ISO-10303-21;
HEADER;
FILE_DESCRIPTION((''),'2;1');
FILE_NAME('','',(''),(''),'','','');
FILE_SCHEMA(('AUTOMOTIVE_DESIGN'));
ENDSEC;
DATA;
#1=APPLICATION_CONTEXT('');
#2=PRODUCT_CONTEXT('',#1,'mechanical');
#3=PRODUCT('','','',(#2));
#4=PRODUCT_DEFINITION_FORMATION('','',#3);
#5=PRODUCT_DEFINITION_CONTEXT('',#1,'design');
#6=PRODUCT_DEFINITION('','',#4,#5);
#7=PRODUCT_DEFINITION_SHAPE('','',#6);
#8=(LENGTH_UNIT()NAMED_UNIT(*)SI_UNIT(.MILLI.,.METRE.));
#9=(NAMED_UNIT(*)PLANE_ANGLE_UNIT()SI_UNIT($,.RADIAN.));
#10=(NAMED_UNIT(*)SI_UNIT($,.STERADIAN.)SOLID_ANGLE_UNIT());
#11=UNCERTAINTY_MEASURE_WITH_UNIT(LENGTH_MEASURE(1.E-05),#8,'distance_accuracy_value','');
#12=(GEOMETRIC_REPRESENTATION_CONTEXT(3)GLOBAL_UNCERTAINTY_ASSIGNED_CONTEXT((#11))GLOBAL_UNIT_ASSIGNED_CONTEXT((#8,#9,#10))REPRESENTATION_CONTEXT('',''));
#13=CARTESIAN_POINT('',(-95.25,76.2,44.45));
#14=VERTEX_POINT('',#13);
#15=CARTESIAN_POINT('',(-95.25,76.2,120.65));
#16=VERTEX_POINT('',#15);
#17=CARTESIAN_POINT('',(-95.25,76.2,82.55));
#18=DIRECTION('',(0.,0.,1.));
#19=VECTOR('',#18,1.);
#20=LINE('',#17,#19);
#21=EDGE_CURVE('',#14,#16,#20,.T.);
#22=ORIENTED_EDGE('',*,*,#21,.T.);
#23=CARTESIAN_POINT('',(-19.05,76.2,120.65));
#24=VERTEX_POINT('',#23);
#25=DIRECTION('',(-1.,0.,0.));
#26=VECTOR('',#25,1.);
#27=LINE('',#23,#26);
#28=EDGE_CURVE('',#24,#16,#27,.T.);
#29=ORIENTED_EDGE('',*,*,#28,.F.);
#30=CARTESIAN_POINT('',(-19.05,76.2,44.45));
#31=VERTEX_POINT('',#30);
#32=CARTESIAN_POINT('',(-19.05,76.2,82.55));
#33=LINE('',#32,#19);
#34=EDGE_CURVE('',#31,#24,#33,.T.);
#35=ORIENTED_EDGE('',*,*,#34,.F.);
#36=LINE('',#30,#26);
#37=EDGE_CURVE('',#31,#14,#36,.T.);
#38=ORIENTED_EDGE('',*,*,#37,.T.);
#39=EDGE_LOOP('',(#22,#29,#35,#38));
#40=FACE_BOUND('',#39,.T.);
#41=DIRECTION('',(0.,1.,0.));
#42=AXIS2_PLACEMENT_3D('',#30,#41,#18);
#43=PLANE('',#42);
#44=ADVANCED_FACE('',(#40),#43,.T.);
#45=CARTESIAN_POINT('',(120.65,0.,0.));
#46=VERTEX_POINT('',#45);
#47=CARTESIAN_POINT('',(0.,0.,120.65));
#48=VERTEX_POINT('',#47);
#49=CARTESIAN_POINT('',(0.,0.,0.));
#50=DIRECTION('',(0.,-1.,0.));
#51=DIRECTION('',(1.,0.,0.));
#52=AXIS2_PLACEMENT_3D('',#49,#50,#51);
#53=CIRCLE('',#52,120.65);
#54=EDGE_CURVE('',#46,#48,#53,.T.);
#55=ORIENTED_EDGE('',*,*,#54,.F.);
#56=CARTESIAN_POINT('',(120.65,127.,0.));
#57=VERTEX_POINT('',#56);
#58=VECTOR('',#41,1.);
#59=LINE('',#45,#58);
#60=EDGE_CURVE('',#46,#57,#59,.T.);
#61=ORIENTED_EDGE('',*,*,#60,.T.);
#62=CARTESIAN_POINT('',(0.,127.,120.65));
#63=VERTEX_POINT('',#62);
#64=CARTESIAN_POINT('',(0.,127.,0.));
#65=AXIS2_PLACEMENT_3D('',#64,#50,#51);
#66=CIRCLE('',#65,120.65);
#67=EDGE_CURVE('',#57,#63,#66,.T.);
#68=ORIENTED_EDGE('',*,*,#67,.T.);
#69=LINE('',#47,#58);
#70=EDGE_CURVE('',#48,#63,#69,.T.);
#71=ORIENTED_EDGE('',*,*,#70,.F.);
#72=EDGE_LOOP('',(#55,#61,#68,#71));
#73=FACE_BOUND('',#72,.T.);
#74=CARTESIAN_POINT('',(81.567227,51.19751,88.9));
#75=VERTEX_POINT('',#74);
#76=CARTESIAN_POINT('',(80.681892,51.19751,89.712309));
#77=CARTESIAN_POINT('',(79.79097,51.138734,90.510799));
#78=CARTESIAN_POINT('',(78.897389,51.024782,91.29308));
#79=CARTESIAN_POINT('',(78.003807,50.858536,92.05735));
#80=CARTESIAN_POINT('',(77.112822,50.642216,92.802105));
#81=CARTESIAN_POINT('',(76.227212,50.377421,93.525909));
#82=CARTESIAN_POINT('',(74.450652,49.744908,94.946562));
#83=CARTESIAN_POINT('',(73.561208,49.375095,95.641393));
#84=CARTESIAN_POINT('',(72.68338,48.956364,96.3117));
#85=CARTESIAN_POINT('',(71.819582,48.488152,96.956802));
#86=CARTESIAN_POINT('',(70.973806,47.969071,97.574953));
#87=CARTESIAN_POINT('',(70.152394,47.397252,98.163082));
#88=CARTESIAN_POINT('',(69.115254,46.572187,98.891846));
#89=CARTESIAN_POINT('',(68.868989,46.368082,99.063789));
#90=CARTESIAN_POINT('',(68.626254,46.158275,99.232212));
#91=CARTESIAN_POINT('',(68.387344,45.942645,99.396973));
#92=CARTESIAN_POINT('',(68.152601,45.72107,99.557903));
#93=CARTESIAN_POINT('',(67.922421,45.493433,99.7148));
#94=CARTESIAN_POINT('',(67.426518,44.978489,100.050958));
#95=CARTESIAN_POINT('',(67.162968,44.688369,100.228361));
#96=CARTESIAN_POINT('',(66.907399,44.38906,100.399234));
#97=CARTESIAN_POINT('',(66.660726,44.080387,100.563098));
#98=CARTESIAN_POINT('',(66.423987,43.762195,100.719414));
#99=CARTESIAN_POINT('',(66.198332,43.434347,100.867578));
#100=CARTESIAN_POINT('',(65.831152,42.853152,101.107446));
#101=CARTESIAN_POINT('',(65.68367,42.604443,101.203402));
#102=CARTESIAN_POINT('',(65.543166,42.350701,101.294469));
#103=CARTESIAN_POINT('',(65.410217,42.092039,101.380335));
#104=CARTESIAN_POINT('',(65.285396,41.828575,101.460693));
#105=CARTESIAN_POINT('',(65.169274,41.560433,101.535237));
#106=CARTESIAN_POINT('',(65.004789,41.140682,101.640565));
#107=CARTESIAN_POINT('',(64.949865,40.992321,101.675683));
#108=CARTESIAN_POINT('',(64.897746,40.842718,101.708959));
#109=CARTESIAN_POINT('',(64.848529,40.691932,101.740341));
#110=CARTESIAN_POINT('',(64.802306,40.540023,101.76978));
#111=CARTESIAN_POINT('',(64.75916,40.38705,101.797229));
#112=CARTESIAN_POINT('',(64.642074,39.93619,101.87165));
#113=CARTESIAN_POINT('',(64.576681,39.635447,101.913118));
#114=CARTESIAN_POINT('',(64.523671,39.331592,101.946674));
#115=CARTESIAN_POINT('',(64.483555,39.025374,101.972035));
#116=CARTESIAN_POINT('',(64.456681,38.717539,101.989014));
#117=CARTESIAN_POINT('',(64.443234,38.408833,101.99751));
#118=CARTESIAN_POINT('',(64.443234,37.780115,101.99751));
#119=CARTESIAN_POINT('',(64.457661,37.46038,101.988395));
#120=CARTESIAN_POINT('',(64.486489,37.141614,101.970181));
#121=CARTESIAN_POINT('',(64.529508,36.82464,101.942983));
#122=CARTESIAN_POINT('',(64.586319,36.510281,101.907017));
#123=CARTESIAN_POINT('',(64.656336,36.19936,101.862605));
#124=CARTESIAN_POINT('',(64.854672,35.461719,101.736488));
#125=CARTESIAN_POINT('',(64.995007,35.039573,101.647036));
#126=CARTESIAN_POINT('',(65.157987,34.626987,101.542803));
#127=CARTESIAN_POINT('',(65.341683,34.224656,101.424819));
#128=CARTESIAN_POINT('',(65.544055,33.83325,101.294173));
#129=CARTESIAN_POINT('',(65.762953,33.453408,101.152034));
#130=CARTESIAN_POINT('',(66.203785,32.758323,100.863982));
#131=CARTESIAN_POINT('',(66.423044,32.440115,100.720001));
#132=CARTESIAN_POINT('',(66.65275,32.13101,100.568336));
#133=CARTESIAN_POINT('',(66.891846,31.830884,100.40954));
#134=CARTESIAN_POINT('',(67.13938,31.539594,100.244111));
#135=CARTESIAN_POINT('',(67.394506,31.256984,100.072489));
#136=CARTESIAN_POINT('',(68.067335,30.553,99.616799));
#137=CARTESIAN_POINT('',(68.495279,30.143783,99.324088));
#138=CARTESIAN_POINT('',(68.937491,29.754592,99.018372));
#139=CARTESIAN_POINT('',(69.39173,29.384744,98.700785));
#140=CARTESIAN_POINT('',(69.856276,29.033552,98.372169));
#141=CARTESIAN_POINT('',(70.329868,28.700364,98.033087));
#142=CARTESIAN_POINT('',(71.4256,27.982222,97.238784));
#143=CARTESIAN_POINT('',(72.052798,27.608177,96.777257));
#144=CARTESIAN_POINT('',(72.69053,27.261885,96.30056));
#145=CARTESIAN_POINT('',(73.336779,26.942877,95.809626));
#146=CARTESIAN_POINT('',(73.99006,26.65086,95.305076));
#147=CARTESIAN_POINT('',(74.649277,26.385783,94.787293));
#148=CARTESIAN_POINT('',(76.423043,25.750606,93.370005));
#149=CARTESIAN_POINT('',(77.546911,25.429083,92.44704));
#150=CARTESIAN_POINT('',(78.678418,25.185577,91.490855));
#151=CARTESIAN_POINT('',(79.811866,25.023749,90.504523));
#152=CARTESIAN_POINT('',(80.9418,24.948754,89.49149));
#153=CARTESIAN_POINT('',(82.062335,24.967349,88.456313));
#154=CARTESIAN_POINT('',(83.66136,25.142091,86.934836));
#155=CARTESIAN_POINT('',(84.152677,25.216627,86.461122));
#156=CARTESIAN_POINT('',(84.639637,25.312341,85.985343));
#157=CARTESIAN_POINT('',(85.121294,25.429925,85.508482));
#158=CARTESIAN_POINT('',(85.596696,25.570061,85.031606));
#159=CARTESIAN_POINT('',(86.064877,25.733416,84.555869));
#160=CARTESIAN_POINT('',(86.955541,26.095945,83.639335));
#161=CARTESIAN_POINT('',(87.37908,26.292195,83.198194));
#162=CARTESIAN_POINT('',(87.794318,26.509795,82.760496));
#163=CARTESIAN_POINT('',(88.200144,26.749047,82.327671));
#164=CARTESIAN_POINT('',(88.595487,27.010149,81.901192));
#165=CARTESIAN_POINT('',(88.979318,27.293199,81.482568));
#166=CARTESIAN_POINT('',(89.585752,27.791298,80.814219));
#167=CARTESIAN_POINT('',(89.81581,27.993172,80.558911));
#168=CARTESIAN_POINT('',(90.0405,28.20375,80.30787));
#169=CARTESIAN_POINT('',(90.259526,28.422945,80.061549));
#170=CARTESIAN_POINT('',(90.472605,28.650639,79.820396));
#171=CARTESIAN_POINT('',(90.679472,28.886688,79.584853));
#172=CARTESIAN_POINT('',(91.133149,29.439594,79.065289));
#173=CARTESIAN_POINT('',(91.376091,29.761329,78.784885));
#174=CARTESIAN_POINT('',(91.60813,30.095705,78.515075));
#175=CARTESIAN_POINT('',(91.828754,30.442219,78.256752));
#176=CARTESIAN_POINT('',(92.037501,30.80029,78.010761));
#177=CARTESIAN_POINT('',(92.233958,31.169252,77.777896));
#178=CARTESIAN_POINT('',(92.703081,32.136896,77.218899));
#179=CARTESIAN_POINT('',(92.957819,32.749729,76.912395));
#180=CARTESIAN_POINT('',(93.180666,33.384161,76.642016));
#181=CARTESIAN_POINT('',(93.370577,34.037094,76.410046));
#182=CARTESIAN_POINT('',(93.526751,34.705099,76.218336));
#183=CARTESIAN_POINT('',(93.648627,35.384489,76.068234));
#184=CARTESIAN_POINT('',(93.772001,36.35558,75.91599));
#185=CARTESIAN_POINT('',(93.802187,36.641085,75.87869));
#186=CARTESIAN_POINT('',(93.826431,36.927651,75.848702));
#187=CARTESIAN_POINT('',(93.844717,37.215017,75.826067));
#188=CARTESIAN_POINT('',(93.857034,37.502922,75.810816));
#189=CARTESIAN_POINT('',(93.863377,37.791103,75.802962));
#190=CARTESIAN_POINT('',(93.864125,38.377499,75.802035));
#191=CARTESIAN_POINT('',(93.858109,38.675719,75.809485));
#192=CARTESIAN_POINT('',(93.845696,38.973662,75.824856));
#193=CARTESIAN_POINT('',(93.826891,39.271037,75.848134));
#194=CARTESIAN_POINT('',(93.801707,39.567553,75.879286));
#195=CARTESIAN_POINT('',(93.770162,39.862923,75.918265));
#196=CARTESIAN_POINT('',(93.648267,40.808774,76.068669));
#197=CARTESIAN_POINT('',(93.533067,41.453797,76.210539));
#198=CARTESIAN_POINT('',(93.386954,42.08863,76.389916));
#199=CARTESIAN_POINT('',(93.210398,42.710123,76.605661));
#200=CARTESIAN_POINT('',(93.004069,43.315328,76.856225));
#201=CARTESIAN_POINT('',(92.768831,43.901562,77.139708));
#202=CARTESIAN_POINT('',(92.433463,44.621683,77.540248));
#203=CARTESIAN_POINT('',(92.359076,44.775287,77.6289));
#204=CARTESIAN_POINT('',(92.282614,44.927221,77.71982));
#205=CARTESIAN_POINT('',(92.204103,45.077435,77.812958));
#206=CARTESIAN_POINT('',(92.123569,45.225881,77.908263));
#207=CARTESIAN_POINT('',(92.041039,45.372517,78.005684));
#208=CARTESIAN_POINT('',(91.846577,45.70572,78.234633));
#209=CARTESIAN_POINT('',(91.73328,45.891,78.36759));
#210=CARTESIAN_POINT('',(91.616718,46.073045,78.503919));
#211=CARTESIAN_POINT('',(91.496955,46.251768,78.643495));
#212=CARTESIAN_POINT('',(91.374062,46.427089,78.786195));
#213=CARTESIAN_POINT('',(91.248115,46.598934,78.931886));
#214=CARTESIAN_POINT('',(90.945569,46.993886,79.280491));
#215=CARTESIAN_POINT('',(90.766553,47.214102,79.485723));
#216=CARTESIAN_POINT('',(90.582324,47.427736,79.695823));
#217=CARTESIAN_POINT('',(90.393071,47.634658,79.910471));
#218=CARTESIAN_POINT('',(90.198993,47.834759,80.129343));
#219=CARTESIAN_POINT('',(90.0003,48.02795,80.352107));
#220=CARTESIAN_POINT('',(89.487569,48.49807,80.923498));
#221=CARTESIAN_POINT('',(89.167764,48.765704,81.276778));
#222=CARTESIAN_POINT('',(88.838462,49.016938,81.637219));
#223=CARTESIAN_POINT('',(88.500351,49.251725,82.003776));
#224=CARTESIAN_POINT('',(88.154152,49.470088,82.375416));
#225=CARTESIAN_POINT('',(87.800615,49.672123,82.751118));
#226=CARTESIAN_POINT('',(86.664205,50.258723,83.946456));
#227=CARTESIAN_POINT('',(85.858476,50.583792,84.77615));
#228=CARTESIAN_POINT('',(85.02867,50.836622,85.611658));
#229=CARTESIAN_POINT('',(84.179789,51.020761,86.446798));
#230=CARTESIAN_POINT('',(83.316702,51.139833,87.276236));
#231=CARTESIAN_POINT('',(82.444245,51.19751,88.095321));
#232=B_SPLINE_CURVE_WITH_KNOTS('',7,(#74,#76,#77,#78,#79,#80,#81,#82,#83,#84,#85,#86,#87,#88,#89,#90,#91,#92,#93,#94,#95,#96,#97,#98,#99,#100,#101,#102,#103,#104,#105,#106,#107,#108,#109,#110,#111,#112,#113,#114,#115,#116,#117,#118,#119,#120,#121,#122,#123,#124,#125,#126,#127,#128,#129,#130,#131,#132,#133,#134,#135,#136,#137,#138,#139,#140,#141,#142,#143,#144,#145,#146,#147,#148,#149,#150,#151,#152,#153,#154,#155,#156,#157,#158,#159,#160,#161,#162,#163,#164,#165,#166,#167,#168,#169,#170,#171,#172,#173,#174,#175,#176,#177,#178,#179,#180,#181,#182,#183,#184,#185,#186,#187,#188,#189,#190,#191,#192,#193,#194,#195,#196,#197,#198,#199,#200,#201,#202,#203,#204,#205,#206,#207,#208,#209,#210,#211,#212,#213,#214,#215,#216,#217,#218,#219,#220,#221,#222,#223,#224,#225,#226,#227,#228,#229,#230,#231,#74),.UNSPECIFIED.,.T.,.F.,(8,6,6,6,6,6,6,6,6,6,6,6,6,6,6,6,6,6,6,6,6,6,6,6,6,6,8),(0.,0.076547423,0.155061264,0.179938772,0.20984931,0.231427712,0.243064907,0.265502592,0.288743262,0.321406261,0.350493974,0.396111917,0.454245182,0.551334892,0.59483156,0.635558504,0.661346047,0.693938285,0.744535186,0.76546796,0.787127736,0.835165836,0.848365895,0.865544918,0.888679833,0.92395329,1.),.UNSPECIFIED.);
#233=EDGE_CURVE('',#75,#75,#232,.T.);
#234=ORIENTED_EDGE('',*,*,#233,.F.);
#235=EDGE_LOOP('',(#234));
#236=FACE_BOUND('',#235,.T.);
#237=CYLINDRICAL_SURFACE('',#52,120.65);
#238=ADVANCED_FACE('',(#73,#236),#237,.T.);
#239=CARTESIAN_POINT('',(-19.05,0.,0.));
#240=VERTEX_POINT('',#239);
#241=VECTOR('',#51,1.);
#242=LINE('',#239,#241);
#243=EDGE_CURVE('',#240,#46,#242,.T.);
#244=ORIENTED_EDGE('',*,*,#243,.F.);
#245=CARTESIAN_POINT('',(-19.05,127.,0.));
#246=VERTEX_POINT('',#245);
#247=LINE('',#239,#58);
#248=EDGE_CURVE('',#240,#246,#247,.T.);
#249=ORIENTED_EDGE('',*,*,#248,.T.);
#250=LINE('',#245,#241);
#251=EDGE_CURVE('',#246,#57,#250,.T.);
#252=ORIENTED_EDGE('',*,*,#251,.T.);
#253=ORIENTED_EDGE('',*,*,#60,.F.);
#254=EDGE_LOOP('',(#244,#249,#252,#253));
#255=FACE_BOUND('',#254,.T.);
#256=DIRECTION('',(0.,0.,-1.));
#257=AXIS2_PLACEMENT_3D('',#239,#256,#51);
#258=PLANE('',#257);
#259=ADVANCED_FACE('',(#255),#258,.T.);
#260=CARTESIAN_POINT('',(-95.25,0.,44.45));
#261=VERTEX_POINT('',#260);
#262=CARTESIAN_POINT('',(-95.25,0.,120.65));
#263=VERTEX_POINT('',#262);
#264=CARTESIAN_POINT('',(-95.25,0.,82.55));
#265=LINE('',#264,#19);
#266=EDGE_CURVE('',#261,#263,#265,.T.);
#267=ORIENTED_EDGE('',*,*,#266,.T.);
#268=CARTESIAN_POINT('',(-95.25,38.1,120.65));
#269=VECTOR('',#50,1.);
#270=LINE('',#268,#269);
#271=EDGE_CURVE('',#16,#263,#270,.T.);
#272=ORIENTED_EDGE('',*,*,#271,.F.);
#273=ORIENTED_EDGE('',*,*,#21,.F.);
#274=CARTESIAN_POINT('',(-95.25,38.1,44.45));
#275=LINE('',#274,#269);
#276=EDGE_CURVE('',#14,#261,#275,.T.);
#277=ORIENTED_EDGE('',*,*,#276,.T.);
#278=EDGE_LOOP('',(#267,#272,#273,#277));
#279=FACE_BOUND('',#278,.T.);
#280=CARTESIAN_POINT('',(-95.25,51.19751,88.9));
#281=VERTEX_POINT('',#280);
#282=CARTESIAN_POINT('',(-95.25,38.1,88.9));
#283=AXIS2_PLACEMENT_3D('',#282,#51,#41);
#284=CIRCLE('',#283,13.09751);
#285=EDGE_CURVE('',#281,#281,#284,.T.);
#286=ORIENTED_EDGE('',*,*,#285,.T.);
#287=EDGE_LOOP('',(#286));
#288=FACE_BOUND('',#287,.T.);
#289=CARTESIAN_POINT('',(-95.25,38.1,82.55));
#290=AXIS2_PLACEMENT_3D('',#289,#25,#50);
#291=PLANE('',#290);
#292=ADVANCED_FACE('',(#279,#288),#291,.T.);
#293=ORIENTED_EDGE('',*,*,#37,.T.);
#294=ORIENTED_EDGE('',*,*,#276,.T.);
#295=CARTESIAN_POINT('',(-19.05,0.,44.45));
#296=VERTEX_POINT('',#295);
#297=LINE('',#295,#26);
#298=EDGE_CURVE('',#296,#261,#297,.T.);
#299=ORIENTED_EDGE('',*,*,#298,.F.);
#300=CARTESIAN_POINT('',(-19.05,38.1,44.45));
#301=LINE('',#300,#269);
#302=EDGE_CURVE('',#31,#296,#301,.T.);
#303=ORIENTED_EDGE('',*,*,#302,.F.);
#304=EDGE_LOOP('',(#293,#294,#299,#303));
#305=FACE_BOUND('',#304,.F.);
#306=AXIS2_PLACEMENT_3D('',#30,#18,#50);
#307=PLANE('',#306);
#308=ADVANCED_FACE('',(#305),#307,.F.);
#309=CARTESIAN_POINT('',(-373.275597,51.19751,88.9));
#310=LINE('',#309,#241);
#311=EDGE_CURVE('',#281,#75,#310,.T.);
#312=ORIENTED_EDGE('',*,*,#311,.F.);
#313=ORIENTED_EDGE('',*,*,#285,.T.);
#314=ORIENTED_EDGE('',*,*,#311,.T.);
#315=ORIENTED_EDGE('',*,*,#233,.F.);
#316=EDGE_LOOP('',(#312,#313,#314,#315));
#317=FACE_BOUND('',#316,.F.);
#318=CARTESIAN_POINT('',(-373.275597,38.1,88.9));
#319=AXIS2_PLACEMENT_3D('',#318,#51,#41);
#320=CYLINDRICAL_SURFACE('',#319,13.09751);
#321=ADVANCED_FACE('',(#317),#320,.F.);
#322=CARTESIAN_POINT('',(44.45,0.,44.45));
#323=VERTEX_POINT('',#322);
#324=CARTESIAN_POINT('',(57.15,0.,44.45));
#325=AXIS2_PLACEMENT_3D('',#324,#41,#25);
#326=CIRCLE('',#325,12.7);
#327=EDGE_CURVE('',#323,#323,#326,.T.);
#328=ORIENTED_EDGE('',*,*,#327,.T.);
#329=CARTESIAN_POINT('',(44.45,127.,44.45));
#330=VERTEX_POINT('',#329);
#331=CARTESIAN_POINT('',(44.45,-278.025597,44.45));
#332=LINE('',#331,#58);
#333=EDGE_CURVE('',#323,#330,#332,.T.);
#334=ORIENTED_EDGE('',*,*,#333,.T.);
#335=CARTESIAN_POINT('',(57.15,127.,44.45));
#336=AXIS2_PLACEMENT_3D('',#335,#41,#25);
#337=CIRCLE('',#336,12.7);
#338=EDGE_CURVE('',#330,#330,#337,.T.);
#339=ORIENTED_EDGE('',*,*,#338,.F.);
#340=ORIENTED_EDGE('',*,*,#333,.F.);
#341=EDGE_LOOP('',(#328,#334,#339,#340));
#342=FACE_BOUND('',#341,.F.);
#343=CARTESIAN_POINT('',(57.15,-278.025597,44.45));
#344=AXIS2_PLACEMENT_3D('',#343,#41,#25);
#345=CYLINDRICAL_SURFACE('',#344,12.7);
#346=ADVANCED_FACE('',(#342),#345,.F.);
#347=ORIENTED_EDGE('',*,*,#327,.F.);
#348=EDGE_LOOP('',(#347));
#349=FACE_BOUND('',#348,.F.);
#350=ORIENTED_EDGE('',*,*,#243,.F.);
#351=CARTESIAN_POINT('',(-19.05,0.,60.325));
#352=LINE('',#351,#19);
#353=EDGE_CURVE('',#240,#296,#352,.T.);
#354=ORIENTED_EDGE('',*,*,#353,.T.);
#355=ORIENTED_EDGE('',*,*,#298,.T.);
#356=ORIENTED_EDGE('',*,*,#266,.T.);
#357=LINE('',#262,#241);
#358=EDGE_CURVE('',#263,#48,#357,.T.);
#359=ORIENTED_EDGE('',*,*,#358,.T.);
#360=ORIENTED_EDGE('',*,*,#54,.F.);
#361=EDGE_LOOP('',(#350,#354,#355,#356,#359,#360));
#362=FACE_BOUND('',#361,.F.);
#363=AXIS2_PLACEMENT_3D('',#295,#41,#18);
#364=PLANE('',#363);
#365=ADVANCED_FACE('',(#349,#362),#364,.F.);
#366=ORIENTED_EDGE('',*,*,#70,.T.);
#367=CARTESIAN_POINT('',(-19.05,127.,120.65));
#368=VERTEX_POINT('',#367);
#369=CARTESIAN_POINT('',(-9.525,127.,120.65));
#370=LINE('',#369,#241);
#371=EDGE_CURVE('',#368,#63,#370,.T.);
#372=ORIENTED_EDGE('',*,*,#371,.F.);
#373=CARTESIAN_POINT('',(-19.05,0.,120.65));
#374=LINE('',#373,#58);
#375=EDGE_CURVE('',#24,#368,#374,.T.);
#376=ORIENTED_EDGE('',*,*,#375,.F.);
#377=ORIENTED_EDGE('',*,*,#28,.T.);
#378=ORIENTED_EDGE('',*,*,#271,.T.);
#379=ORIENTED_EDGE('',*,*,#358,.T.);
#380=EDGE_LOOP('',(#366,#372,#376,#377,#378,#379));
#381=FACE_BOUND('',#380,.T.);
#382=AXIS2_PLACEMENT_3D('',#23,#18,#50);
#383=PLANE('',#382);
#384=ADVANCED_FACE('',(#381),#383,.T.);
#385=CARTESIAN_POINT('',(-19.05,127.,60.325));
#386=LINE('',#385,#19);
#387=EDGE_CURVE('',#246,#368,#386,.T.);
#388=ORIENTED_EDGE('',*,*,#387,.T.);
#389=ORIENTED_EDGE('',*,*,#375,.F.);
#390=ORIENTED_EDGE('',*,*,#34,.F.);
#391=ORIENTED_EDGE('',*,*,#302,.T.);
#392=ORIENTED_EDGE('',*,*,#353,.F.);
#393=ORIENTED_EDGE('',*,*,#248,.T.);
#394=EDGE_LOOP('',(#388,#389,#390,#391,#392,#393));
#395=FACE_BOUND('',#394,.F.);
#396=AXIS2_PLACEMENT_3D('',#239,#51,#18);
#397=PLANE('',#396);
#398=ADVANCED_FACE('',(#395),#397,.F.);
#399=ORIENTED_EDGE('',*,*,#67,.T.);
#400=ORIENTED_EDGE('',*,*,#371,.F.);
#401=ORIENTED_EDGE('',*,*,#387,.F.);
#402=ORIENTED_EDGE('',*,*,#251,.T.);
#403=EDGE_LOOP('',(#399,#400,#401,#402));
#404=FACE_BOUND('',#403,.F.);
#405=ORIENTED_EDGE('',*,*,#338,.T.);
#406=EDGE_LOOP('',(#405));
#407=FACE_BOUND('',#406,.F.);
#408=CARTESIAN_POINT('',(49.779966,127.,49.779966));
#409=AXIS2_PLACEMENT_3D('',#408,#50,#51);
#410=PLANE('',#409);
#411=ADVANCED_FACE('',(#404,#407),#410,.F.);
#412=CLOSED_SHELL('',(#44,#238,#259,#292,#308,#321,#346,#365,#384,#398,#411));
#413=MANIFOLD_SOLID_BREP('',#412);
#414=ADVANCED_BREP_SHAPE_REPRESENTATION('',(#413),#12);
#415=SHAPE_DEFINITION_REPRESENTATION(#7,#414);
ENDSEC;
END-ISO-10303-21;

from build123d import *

# Parameters (mm, degrees)
F0_W     = 19.05
F0_H     = 120.65
F1_DEPTH = 127
F2_W     = 76.2
F2_H     = 76.2
F3_DEPTH = 76.2
F5_D     = 26.19502
F7_D     = 25.4


with BuildPart() as f1:
    # F0 (on Front) → F1 (new body)
    with BuildSketch(Plane.XZ):
        with BuildLine():
            ThreePointArc((120.65, 0), (85.3124331502, 85.3124331502), (0, 120.65))
            Line((0, 120.65), (0, 0))
            Line((0, 0), (120.65, 0))
        make_face()
        with Locations((-9.525, 60.325)):
            Rectangle(F0_W, F0_H)
    extrude(amount=-F1_DEPTH)

    # F2 (on face) → F3 (join)
    with BuildSketch(Plane(origin=(-19.05, 0, 0), x_dir=(0, -1, 0), z_dir=(-1, 0, 0))):
        with Locations((-38.1, 82.55)):
            Rectangle(F2_W, F2_H)
    extrude(amount=F3_DEPTH)

    # F5 (through all)
    with Locations(Plane(origin=(-95.25, 0, 0), x_dir=(0, -1, 0), z_dir=(-1, 0, 0))):
        with Locations((-38.1, 88.9)):
            Hole(F5_D / 2)

    # F7 (through all)
    with Locations(Plane.XZ):
        with Locations((57.15, 44.45)):
            Hole(F7_D / 2)


solid = f1.part
